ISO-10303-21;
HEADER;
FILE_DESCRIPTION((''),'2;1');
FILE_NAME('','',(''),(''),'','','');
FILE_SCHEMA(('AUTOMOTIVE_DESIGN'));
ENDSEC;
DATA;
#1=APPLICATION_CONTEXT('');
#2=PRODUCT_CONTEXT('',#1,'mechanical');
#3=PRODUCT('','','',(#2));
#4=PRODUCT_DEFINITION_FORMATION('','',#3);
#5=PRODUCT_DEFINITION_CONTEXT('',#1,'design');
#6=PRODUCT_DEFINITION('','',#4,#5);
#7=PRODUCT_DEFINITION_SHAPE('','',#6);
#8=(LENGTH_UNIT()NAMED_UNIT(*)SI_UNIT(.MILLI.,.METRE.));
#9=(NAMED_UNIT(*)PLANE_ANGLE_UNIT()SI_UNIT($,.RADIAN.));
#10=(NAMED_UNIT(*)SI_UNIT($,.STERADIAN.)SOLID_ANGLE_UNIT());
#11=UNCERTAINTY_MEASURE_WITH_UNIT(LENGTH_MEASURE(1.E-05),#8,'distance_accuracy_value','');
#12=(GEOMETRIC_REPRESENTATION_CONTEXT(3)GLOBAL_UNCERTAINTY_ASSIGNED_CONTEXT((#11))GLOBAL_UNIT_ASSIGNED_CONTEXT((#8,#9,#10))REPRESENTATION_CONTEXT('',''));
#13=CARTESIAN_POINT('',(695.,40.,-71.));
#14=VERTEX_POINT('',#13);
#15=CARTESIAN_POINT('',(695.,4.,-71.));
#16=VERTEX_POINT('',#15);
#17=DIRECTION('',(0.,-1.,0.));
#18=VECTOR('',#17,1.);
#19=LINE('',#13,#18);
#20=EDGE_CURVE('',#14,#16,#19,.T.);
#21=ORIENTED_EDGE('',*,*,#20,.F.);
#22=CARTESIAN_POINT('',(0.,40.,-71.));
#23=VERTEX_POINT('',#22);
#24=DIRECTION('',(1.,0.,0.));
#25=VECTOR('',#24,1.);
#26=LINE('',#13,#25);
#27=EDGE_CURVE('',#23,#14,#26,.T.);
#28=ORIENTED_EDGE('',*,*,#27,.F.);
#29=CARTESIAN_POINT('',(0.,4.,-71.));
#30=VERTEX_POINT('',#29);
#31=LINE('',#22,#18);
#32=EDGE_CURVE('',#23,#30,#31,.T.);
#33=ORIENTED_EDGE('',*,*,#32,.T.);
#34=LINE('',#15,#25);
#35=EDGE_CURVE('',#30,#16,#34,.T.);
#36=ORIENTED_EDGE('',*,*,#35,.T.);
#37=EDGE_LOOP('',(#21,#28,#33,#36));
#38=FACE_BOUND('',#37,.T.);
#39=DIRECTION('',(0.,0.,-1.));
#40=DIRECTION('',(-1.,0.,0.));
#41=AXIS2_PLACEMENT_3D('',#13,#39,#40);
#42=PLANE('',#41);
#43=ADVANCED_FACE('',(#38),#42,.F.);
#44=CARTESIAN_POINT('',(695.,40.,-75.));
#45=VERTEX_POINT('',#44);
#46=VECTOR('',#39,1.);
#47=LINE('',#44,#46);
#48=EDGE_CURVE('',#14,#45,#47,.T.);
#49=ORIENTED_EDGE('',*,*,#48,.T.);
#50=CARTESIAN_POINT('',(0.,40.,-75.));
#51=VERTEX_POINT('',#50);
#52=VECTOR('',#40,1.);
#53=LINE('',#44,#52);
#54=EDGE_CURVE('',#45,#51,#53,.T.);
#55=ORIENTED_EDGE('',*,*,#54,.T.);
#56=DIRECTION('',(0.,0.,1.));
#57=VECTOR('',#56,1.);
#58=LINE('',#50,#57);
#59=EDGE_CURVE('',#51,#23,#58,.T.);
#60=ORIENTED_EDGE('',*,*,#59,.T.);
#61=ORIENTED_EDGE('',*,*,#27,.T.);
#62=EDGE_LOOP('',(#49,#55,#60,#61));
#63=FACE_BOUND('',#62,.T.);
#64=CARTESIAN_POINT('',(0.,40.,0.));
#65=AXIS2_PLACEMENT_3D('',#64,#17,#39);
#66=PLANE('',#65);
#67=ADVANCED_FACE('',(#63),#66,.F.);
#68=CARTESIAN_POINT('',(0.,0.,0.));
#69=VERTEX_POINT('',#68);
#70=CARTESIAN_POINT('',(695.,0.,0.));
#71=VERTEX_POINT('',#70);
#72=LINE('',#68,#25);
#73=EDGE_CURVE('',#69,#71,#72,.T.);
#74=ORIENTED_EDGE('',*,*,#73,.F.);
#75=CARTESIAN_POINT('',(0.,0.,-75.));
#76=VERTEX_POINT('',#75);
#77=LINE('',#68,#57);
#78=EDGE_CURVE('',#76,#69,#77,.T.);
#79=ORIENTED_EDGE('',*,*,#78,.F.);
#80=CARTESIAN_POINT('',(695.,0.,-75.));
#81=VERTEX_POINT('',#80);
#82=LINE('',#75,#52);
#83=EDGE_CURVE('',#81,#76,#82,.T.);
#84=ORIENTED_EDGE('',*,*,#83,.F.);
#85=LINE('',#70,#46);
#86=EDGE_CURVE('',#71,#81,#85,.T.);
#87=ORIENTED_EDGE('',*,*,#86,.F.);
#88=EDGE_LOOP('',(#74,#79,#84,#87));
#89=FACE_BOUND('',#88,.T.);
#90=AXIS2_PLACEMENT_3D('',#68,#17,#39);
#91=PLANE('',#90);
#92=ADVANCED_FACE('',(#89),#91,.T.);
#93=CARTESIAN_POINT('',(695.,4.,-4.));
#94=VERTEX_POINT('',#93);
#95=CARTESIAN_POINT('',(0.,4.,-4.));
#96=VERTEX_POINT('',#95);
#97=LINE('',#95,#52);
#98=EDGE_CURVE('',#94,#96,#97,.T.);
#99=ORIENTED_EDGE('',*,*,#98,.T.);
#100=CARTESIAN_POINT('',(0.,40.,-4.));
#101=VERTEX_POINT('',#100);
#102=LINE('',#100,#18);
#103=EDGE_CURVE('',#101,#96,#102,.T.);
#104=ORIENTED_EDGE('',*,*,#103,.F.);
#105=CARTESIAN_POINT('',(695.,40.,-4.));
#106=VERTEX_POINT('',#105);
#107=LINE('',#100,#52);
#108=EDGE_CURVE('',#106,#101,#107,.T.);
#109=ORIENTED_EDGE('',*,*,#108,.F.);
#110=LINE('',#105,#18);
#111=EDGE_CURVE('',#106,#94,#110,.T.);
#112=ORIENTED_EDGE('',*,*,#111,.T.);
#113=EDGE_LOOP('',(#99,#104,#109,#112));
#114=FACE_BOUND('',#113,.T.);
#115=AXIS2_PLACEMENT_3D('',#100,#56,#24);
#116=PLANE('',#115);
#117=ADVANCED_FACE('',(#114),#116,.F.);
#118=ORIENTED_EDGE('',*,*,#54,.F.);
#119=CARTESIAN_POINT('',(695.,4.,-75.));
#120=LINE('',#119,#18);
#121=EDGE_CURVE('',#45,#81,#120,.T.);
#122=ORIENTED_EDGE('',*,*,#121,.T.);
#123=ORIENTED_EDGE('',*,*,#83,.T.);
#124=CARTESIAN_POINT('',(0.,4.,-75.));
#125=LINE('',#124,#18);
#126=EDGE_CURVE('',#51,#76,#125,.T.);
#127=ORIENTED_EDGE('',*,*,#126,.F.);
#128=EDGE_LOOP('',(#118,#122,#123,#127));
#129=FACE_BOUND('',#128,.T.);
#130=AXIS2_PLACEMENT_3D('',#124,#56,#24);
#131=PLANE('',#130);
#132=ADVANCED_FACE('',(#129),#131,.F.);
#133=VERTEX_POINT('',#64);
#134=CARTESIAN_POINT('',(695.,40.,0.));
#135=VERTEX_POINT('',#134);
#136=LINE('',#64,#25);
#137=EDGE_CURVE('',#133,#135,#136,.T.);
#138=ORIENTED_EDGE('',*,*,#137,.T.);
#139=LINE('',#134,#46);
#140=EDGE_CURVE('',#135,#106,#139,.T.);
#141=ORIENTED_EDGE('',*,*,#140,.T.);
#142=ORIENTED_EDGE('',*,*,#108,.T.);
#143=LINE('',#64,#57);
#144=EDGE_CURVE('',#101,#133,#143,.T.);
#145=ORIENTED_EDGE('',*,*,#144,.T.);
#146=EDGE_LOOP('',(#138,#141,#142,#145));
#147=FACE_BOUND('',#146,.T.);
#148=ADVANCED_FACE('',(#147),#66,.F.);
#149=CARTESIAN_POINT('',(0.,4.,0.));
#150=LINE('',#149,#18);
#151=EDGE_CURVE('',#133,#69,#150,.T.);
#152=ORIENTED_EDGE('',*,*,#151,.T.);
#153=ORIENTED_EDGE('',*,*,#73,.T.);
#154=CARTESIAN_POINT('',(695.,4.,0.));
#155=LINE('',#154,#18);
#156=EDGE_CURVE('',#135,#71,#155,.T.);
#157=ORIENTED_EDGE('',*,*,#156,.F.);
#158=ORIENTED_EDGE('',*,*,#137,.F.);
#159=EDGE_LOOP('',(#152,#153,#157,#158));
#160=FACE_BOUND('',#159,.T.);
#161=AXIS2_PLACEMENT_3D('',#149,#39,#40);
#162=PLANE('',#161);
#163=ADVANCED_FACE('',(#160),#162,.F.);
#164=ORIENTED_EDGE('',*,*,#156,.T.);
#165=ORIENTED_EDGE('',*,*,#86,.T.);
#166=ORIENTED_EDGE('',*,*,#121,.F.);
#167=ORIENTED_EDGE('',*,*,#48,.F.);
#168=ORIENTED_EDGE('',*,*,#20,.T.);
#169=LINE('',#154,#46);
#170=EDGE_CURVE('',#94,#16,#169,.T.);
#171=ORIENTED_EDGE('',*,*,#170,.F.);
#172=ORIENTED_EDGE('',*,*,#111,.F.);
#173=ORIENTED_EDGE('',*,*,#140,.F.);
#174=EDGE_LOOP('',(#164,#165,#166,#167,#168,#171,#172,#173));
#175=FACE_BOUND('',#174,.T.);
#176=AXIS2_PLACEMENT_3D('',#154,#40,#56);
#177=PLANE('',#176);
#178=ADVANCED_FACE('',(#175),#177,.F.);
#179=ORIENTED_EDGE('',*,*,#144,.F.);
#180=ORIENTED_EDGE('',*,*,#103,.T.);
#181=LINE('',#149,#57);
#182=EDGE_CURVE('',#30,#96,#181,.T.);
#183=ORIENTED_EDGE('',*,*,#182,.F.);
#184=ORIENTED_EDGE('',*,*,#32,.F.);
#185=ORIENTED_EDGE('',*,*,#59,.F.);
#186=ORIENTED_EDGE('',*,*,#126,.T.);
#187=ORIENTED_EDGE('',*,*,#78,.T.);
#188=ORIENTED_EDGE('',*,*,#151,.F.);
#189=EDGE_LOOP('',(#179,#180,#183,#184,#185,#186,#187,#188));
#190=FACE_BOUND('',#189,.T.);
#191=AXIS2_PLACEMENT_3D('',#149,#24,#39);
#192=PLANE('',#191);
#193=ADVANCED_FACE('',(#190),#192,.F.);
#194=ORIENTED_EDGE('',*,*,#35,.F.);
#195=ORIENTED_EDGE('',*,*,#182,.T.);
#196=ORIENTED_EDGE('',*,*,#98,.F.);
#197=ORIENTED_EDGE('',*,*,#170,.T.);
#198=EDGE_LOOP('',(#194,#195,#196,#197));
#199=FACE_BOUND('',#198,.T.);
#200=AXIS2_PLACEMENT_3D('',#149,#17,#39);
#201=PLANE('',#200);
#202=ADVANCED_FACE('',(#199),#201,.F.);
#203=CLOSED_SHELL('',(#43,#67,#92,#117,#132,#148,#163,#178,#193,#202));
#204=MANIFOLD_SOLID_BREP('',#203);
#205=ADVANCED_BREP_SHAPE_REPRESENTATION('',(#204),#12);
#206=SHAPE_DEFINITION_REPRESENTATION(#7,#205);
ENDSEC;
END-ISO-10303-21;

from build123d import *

# Parameters (mm, degrees)
SKETCH_1_W      = 695
SKETCH_1_H      = 75
EXTRUDE_1_DEPTH = 4
SKETCH_2_W      = 695
SKETCH_2_H      = 4
EXTRUDE_2_DEPTH = 36


with BuildPart() as part:
    # 스케치1 → 보스-돌출1 (new body)
    with BuildSketch(Plane(origin=(0, 0, 0), x_dir=(1, 0, 0), z_dir=(0, 1, 0))):
        with Locations((347.5, 37.5)):
            Rectangle(SKETCH_1_W, SKETCH_1_H)
    extrude(amount=EXTRUDE_1_DEPTH)

    # 스케치2 → 보스-돌출2 (add)
    with BuildSketch(Plane(origin=(0, 4, 0), x_dir=(1, 0, 0), z_dir=(0, 1, 0))):
        with Locations((347.5, 2)):
            Rectangle(SKETCH_2_W, SKETCH_2_H)
        with Locations((347.5, 73)):
            Rectangle(SKETCH_2_W, SKETCH_2_H)
    extrude(amount=EXTRUDE_2_DEPTH)


solid = part.part
